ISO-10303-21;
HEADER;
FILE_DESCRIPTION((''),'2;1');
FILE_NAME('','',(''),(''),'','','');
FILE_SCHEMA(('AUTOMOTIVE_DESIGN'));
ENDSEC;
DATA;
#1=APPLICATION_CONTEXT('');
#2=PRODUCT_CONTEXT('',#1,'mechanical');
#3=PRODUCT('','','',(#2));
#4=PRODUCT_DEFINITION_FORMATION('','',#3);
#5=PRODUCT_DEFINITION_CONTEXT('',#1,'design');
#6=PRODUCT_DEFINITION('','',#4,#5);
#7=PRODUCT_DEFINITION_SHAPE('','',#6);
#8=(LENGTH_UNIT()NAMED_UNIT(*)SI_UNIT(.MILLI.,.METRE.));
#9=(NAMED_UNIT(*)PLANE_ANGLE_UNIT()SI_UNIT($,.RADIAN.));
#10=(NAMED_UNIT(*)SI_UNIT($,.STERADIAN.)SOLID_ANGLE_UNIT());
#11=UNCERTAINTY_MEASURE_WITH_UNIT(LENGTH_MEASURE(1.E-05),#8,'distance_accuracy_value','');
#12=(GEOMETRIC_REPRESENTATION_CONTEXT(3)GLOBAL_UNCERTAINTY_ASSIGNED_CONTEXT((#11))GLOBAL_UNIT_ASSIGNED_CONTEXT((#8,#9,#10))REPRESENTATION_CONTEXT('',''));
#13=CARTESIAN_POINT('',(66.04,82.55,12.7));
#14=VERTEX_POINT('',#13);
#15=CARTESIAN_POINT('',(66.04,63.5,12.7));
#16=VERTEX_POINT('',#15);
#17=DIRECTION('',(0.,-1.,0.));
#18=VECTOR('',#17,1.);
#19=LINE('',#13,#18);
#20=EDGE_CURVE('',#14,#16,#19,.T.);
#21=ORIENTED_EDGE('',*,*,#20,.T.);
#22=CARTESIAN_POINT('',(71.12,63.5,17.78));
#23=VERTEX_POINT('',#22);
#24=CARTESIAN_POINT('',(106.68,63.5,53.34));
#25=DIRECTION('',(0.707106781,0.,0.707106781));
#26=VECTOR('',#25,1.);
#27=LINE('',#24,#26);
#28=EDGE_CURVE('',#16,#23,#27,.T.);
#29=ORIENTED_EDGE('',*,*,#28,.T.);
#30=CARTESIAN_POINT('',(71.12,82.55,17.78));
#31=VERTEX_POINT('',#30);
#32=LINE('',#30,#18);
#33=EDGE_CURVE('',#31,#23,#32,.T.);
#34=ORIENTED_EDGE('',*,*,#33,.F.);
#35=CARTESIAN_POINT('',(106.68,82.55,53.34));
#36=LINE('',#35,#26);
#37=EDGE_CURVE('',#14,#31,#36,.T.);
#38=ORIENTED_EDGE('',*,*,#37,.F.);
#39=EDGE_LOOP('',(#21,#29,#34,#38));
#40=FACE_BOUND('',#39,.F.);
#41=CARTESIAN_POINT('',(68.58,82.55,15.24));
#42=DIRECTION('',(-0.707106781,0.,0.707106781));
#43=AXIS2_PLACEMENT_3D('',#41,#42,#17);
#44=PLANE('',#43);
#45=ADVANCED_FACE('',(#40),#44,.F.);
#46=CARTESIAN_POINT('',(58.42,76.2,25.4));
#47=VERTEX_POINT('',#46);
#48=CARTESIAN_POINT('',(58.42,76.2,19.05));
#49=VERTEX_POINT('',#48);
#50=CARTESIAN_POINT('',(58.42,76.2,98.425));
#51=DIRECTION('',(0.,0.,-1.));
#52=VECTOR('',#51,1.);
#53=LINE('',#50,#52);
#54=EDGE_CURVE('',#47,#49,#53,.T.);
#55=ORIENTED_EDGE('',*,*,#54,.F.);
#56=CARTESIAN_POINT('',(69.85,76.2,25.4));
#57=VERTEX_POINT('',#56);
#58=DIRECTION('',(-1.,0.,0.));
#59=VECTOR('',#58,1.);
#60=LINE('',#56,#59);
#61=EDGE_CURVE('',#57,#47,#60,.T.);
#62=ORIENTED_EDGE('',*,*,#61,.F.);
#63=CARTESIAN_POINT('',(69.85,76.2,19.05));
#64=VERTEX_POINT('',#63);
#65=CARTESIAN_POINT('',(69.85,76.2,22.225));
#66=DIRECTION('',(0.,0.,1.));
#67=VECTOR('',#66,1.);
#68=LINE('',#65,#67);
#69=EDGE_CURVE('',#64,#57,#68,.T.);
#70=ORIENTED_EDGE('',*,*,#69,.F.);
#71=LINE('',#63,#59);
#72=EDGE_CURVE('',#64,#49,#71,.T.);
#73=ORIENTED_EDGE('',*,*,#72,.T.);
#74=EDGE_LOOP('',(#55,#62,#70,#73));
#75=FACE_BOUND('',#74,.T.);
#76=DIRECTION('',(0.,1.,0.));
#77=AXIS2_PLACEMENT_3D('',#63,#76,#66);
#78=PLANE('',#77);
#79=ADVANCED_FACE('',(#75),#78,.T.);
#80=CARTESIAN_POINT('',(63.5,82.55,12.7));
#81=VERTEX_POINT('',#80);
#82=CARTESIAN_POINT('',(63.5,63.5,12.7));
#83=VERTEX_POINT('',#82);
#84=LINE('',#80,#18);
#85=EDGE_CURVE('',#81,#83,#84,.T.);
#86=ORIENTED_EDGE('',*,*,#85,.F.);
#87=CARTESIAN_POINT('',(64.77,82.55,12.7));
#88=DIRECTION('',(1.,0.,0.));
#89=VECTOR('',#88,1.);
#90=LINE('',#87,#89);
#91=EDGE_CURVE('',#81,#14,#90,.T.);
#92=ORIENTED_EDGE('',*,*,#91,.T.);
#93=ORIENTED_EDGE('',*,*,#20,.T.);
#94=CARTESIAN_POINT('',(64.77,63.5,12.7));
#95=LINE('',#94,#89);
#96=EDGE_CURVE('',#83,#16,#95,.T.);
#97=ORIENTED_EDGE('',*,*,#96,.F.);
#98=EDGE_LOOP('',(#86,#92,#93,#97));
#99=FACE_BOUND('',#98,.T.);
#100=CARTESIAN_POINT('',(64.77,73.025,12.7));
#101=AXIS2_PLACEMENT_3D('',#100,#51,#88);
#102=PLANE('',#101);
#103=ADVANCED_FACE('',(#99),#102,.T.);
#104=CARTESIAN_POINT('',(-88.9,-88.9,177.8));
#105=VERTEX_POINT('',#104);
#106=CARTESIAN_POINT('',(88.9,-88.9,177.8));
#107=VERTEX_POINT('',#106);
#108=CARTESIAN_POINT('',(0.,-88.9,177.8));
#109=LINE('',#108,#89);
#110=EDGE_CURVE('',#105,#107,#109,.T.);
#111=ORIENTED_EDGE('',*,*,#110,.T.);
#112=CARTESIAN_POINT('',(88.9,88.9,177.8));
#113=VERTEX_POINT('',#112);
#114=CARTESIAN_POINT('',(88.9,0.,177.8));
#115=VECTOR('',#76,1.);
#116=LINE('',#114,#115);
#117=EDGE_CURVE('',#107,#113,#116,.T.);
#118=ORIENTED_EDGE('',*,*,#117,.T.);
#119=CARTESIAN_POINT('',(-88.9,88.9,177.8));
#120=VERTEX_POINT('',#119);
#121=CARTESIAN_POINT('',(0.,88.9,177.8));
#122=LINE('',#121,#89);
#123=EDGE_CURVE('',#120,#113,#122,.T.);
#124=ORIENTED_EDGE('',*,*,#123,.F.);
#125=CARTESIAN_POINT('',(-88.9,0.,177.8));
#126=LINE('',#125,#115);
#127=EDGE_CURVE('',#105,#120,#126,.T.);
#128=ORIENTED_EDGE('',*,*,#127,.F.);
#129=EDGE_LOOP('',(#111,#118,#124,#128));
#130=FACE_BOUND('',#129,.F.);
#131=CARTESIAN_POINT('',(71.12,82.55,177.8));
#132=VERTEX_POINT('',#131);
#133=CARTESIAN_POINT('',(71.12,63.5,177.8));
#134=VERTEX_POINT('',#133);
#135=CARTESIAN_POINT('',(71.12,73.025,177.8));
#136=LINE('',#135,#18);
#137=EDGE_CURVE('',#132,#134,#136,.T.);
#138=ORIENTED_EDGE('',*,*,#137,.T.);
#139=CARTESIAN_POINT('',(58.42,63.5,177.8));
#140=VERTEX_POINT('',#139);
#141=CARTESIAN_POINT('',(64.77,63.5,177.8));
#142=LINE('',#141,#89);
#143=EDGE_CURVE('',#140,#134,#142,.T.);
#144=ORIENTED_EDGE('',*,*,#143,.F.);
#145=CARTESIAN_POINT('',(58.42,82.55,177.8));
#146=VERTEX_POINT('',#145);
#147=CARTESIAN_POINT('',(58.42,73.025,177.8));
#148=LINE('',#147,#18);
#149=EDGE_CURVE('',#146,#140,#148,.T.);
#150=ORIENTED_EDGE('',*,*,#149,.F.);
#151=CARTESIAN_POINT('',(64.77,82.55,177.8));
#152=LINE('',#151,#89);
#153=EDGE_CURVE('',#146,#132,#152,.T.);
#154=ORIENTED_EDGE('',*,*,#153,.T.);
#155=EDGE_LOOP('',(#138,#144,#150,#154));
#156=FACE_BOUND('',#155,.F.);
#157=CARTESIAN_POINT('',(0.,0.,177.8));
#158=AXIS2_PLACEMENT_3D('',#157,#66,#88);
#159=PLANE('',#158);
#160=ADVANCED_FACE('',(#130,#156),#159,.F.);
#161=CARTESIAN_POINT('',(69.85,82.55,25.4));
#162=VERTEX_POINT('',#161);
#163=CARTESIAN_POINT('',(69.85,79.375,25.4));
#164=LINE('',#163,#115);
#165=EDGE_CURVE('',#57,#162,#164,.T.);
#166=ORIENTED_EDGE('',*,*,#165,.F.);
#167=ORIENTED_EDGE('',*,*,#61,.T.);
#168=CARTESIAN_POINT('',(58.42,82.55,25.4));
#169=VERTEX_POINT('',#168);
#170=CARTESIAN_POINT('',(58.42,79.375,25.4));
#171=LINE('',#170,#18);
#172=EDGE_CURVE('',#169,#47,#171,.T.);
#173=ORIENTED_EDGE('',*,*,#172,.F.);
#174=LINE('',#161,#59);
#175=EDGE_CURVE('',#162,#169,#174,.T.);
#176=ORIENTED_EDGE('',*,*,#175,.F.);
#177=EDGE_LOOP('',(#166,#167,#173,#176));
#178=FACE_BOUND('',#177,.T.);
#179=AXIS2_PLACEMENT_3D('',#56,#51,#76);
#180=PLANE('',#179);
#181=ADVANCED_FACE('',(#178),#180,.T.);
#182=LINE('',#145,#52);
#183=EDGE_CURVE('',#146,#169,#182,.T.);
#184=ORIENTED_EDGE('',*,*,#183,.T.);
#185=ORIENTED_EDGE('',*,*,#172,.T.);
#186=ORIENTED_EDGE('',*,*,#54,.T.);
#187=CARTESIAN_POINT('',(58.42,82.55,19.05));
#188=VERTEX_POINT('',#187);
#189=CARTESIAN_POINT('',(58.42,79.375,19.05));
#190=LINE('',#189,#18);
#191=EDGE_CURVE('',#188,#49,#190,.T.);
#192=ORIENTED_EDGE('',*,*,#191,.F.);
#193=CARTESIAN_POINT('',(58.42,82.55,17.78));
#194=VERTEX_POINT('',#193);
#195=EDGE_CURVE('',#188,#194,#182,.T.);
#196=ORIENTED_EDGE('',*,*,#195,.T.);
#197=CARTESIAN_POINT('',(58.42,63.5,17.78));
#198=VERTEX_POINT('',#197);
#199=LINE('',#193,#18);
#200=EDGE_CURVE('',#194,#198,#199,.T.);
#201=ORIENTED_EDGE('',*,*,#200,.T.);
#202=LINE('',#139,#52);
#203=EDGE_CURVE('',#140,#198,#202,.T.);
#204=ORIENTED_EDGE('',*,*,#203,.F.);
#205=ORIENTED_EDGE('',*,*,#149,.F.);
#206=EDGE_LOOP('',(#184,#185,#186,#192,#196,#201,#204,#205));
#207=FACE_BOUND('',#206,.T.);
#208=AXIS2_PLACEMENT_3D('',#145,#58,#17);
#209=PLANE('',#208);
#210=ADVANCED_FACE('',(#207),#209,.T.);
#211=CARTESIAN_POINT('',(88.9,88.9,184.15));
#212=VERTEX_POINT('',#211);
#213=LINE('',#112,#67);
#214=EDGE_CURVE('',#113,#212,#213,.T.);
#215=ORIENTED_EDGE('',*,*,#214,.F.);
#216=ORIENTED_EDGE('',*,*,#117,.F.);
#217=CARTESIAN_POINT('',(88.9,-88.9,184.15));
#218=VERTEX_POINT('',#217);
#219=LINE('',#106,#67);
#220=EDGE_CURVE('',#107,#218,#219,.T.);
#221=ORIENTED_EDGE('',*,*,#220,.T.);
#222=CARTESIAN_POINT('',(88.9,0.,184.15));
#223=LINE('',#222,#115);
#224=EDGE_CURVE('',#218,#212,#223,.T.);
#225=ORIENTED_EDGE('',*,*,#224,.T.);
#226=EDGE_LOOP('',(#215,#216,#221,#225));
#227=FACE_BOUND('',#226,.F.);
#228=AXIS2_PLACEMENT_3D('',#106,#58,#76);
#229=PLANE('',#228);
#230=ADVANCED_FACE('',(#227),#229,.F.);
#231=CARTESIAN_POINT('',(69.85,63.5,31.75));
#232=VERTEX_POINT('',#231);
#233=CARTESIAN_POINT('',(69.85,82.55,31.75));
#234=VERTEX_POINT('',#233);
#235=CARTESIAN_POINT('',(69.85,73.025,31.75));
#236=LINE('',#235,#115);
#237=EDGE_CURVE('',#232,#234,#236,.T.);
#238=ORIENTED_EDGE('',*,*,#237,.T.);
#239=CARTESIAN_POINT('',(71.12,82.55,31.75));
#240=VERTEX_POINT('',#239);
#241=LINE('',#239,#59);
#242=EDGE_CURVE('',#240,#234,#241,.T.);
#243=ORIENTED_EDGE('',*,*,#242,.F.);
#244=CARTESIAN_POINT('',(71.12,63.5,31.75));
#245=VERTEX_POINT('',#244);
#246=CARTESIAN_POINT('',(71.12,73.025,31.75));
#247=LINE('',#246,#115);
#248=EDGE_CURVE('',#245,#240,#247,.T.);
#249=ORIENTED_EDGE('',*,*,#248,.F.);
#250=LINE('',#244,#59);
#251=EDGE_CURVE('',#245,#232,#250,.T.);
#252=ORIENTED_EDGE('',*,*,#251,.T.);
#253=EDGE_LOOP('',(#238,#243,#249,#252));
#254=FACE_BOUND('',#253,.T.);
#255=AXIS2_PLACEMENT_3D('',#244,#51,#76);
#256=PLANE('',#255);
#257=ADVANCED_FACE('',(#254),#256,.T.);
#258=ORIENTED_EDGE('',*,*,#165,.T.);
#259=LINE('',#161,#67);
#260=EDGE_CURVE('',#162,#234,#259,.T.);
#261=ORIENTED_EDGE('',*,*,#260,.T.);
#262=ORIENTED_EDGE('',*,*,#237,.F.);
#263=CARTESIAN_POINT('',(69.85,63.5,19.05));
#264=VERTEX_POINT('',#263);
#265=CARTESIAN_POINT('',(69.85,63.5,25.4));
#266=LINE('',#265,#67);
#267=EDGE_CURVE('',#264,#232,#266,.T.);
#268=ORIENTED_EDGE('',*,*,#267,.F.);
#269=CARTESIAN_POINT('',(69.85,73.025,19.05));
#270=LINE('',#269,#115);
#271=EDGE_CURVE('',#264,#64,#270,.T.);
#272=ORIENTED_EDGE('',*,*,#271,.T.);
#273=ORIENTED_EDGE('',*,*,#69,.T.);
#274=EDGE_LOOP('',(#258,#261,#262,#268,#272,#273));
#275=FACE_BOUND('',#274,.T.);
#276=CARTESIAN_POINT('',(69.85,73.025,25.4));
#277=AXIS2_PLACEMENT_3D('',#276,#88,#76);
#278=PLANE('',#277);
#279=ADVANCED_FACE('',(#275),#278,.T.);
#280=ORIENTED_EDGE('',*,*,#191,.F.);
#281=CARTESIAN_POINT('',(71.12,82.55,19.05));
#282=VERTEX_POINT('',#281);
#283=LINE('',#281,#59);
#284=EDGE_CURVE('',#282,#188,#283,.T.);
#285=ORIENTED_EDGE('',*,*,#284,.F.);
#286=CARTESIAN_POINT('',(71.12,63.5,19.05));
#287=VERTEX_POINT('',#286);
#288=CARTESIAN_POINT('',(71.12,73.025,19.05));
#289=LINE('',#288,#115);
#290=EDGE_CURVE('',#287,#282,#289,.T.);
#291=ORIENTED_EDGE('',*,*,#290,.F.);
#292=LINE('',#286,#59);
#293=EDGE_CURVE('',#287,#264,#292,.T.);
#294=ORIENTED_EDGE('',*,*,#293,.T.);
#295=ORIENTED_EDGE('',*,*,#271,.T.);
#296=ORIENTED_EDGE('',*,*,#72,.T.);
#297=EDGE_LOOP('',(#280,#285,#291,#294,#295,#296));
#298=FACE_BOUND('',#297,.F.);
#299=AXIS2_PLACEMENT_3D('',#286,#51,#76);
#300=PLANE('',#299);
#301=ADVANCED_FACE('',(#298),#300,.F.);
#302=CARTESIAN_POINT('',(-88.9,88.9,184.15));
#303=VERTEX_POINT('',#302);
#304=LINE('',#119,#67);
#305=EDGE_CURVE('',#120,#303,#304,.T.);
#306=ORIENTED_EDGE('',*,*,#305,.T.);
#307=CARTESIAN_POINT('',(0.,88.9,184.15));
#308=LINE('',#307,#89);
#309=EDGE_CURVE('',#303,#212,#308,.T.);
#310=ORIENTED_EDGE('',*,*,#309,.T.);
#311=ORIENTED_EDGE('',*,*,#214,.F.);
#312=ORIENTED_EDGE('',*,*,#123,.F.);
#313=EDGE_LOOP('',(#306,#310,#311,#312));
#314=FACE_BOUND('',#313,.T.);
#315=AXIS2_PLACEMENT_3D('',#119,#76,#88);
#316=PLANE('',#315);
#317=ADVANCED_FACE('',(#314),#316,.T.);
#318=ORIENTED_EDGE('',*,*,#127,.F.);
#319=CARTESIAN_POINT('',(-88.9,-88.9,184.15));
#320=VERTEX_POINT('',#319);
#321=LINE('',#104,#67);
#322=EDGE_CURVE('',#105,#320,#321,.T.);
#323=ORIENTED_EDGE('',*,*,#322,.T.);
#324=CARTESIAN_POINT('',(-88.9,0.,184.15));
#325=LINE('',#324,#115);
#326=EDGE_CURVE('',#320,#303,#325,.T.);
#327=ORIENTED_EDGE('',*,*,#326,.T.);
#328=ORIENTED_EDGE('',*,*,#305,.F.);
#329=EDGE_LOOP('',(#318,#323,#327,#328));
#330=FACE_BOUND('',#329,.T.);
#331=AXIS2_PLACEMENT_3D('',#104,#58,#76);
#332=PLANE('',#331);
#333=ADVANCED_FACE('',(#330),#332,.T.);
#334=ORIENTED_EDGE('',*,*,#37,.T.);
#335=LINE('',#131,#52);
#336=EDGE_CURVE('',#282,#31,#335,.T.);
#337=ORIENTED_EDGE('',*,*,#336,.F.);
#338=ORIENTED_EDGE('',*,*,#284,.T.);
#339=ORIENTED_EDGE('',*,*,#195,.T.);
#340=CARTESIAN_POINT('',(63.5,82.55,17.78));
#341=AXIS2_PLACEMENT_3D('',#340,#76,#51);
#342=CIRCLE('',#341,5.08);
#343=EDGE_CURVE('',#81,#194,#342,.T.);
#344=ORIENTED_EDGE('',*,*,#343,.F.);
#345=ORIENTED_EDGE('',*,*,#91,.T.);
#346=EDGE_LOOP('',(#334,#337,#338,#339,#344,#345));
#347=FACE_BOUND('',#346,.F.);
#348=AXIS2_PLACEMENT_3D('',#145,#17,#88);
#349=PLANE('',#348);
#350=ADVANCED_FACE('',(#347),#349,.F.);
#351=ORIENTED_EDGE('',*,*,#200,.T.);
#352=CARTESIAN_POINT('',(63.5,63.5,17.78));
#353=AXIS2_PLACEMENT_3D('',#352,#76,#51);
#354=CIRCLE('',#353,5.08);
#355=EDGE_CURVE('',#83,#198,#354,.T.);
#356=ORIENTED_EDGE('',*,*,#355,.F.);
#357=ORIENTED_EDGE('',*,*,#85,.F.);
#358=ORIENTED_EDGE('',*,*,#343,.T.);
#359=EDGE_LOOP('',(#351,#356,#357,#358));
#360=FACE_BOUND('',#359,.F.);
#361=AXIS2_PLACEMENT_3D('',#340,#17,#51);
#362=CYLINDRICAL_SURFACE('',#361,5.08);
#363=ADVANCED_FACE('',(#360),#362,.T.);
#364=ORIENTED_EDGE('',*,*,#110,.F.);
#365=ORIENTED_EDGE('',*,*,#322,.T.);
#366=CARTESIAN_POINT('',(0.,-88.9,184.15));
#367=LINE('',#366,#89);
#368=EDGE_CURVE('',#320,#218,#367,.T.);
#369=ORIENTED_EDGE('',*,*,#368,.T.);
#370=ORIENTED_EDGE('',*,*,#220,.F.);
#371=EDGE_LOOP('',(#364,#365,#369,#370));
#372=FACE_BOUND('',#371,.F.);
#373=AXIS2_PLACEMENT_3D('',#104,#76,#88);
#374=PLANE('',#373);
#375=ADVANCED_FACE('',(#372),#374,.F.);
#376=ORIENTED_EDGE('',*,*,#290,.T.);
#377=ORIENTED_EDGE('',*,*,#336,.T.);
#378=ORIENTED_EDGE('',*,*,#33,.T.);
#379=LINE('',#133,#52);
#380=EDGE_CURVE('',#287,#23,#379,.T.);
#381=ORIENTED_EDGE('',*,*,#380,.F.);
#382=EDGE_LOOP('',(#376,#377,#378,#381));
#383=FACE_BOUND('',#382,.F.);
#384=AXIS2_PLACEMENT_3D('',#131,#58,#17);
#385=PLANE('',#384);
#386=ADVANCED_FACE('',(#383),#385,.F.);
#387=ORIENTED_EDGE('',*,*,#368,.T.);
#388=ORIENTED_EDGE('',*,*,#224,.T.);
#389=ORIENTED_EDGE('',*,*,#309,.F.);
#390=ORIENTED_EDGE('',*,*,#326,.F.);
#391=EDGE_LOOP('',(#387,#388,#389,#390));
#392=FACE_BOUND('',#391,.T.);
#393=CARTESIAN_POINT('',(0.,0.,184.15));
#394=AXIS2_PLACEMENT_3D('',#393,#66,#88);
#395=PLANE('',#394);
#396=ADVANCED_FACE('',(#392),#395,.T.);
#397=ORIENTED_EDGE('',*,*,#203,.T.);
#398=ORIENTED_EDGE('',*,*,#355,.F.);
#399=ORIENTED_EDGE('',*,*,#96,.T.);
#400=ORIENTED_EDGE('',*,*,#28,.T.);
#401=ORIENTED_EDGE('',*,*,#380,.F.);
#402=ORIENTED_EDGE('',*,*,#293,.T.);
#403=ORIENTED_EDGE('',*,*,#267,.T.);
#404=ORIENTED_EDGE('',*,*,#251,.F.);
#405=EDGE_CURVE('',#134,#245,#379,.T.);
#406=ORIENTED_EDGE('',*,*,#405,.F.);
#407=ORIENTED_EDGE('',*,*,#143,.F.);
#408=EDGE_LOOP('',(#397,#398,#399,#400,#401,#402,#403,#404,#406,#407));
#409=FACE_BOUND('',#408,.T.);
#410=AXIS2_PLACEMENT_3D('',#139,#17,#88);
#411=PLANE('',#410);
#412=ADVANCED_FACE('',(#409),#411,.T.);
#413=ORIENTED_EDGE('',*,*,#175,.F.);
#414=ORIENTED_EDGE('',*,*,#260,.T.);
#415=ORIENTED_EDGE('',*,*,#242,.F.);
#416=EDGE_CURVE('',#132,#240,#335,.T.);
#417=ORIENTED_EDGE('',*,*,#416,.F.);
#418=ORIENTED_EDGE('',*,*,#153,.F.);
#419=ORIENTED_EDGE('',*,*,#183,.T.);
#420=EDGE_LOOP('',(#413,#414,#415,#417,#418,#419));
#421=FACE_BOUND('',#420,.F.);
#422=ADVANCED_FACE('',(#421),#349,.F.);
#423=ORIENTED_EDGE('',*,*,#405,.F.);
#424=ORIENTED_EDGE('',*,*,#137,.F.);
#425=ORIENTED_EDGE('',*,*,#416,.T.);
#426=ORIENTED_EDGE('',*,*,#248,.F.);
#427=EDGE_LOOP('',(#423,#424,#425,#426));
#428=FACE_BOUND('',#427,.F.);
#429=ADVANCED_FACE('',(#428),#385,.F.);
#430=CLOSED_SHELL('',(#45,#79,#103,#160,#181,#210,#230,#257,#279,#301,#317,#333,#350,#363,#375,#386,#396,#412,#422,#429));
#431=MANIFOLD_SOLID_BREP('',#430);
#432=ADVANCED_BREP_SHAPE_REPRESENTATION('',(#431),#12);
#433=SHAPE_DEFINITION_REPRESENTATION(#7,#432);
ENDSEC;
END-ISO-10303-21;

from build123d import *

# Parameters (mm, degrees)
F1_W      = 177.8
F1_H      = 177.8
F2_DEPTH  = 6.35
F3_W      = 12.7
F3_H      = 19.05
F4_DEPTH  = 165.1
F5_W      = 19.05
F5_H      = 12.7
F6_DEPTH  = 1.27
F7_SIZE   = 5.08
F8_R      = 5.08
F9_W      = 6.35
F9_H      = 6.35
F10_DEPTH = 25.4


with BuildPart() as f2:
    # F1 (on offset) → F2 (new body)
    with BuildSketch(Plane.XY.offset(177.8)):
        Rectangle(F1_W, F1_H)
    extrude(amount=F2_DEPTH)

    # F3 (on face) → F4 (join)
    with BuildSketch(Plane(origin=(0, 0, 177.8), x_dir=(1, 0, 0), z_dir=(0, 0, -1))):
        with Locations((64.77, -73.025)):
            Rectangle(F3_W, F3_H)
    extrude(amount=F4_DEPTH)

    # F5 (on face) → F6 (cut)
    with BuildSketch(Plane.YZ.offset(71.12)):
        with Locations((73.025, 25.4)):
            Rectangle(F5_W, F5_H)
    extrude(amount=-F6_DEPTH, mode=Mode.SUBTRACT)

    # F7
    f7_edges = [f2.edges().sort_by_distance(p)[0] for p in [
        (71.12, 73.025, 12.7),
    ]]
    chamfer(f7_edges, length=F7_SIZE)

    # F8
    f8_edges = [f2.edges().sort_by_distance(p)[0] for p in [
        (58.42, 73.025, 12.7),
    ]]
    fillet(f8_edges, radius=F8_R)

    # F9 (on face) → F10 (cut)
    with BuildSketch(Plane.YZ.offset(69.85)):
        with Locations((79.375, 22.225)):
            Rectangle(F9_W, F9_H)
    extrude(amount=-F10_DEPTH, mode=Mode.SUBTRACT)


solid = f2.part
